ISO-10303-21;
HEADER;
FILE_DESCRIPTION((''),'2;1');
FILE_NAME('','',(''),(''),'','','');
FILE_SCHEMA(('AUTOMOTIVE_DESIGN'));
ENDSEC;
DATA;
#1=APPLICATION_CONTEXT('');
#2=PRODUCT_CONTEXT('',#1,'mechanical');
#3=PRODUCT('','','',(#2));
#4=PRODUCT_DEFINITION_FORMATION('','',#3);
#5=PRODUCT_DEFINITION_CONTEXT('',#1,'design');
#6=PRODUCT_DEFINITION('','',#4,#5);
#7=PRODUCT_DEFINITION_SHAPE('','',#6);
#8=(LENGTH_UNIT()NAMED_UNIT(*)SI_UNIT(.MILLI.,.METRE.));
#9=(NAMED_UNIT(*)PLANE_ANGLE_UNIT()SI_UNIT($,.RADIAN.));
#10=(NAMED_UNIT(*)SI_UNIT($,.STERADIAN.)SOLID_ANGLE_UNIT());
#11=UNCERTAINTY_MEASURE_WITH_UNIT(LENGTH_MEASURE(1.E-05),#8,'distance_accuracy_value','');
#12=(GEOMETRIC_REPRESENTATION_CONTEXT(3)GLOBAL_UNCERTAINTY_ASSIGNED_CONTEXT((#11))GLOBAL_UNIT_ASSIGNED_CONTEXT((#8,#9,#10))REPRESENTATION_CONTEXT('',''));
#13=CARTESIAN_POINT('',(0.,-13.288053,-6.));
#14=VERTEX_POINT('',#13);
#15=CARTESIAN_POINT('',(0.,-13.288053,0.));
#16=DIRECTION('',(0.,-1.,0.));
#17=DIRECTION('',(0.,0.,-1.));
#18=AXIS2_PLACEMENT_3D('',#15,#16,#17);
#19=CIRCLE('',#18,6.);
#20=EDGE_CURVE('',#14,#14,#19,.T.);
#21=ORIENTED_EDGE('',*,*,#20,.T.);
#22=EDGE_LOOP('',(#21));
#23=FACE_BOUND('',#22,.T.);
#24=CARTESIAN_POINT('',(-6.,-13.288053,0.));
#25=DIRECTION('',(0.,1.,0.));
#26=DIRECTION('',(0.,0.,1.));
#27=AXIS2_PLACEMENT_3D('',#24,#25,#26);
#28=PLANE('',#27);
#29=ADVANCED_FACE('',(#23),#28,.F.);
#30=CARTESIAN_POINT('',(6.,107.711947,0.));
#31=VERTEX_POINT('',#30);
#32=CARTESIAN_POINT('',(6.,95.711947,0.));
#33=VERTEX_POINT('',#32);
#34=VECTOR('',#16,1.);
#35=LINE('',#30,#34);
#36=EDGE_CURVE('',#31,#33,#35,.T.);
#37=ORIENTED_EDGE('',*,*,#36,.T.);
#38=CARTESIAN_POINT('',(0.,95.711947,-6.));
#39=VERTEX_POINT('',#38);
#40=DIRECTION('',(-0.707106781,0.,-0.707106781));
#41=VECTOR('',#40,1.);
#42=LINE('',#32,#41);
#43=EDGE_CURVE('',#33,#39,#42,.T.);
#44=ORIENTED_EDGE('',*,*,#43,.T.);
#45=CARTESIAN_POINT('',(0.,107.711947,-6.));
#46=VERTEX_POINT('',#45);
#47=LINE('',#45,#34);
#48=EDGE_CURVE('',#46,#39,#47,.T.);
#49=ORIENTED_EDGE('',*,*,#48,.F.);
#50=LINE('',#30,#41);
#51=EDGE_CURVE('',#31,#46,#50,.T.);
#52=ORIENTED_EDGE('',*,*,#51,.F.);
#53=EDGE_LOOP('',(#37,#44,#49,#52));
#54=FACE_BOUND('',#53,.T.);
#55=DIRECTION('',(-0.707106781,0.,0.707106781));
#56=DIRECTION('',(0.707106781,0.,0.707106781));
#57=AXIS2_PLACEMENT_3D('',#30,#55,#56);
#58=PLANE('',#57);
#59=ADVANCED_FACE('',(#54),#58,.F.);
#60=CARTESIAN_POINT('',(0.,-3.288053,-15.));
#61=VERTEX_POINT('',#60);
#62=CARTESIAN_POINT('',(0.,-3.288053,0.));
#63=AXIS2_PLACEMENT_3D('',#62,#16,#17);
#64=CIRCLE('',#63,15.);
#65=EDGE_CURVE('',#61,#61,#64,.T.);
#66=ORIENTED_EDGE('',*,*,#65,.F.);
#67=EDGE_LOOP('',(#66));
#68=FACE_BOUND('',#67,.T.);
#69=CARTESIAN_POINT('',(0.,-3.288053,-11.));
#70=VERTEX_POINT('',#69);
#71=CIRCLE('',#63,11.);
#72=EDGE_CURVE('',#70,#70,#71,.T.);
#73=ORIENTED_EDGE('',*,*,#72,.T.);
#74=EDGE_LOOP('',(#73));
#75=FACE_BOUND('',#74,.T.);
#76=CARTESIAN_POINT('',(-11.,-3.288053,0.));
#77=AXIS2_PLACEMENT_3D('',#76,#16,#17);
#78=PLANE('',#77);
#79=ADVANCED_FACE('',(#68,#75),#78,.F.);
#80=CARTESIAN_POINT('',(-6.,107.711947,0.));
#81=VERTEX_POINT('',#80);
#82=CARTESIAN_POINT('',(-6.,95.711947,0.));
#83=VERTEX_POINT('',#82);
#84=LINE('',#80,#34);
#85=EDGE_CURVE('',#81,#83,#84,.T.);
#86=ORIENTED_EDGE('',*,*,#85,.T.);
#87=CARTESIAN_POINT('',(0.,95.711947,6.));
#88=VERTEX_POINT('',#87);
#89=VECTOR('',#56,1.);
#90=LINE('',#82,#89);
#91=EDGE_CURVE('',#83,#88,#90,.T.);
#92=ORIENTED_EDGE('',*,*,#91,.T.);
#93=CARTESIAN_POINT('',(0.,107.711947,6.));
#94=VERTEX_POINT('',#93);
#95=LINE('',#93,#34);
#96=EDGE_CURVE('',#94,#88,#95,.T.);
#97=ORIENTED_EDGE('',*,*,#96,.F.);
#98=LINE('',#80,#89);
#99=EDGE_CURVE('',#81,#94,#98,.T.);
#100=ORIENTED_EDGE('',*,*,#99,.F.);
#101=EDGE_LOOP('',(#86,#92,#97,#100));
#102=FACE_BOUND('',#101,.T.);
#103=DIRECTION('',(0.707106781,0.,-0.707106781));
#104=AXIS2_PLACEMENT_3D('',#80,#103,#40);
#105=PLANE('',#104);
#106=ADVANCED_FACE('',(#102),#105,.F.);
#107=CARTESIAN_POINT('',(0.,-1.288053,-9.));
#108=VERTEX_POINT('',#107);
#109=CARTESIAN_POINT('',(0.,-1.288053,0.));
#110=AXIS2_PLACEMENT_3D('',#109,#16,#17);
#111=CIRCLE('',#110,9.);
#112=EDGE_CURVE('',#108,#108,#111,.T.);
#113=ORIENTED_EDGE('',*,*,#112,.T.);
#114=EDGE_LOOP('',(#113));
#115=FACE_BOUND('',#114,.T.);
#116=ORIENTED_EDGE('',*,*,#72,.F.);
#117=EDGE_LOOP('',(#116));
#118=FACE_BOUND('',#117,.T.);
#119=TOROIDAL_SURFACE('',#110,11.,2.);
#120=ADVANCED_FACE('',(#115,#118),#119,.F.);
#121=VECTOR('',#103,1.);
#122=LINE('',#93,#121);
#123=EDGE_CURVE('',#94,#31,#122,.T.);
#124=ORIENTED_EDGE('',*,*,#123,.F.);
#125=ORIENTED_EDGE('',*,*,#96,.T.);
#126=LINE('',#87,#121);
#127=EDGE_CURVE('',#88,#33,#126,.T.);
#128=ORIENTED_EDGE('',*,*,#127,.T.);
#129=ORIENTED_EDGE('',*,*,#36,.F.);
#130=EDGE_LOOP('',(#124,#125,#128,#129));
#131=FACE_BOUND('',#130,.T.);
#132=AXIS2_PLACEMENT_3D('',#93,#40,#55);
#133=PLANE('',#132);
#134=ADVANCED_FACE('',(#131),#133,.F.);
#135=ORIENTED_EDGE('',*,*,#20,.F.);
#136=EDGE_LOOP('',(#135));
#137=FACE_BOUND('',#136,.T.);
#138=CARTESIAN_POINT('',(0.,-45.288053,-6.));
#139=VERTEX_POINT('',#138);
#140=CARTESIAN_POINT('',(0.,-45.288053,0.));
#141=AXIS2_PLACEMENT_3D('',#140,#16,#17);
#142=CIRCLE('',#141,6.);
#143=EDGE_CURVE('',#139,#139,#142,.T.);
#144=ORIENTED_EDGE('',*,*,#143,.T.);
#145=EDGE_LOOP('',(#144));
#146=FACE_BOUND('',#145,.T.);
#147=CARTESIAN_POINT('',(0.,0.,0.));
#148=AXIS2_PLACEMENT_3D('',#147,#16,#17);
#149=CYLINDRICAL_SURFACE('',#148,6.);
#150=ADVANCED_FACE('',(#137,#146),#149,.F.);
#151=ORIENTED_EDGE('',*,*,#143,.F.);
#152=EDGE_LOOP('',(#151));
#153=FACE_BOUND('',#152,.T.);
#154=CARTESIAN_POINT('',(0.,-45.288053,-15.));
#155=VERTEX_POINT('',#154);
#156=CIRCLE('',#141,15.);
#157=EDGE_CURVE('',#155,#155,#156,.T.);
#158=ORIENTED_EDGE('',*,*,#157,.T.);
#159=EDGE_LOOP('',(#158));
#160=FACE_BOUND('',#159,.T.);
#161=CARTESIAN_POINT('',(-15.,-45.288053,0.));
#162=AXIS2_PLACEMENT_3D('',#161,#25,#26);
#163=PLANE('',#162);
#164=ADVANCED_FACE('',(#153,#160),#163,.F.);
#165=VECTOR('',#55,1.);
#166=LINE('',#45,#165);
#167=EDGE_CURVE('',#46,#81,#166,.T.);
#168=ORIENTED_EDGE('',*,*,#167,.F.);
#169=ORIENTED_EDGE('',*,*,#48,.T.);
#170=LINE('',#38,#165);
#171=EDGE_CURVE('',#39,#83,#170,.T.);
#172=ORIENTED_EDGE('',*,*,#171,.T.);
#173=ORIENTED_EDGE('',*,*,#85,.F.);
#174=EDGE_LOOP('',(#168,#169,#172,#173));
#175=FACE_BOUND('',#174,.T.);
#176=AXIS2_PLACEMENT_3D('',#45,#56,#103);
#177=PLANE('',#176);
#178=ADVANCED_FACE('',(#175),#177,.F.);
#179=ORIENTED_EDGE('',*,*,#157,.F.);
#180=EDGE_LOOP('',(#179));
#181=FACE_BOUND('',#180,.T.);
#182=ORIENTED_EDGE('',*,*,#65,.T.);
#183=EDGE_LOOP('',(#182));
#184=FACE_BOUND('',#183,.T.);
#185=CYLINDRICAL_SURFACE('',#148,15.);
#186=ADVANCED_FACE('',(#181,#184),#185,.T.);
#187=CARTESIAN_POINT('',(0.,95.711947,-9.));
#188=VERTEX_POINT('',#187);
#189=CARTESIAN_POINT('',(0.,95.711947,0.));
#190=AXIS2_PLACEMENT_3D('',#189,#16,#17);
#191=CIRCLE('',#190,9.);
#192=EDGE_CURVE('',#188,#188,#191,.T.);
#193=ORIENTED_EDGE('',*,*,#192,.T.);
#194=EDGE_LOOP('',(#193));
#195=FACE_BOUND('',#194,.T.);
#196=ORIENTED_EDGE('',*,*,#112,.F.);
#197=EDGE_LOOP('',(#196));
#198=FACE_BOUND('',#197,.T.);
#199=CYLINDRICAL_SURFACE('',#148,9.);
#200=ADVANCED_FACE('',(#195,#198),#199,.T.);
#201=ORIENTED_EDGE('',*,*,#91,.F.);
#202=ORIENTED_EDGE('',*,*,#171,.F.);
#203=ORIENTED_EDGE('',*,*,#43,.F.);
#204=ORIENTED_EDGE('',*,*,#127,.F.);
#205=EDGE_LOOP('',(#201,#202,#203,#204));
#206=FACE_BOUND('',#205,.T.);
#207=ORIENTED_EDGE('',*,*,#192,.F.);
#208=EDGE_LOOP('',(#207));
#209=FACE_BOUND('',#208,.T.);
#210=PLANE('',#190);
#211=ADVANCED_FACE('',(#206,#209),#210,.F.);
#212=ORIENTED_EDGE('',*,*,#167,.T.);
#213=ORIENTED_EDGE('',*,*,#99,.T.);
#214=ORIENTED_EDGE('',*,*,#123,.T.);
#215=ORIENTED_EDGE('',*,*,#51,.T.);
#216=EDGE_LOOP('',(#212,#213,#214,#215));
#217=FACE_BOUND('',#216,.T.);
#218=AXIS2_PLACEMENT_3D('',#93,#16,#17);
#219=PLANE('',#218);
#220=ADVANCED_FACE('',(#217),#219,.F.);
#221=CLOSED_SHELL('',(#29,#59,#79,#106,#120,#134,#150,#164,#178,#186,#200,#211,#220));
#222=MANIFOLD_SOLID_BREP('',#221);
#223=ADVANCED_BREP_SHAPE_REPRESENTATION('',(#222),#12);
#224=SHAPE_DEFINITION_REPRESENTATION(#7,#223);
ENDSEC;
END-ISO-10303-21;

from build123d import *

# Parameters (mm, degrees)
EXTRUDE1_DEPTH = 12


with BuildPart() as part:
    # Sketch1 → Revolve1 (revolve)
    with BuildSketch(Plane.XY, mode=Mode.PRIVATE) as revolve1_sk:
        with BuildLine():
            Line((0, 95.711947491), (-9, 95.711947491))
            Line((-9, 95.711947491), (-9, -1.288052509))
            ThreePointArc((-9, -1.288052509), (-9.585786438, -2.702266071), (-11, -3.288052509))
            Line((-11, -3.288052509), (-15, -3.288052509))
            Line((-15, -3.288052509), (-15, -45.288052509))
            Line((-15, -45.288052509), (-6, -45.288052509))
            Line((-6, -45.288052509), (-6, -13.288052509))
            Line((-6, -13.288052509), (0, -13.288052509))
            Line((0, -13.288052509), (0, 95.711947491))
        make_face()
    revolve(revolve1_sk.sketch.rotate(Axis((0, 0, 0), (0, 1, 0)), 270), axis=Axis((0, 0, 0), (0, 1, 0)))

    # Sketch2 → Extrude1 (add)
    with BuildSketch(Plane(origin=(0, 95.711947491, 0), x_dir=(-1, 0, 0), z_dir=(0, 1, 0))):
        Polygon((-6, 0), (0, -6), (6, 0), (0, 6), align=None)
    extrude(amount=EXTRUDE1_DEPTH)


solid = part.part
